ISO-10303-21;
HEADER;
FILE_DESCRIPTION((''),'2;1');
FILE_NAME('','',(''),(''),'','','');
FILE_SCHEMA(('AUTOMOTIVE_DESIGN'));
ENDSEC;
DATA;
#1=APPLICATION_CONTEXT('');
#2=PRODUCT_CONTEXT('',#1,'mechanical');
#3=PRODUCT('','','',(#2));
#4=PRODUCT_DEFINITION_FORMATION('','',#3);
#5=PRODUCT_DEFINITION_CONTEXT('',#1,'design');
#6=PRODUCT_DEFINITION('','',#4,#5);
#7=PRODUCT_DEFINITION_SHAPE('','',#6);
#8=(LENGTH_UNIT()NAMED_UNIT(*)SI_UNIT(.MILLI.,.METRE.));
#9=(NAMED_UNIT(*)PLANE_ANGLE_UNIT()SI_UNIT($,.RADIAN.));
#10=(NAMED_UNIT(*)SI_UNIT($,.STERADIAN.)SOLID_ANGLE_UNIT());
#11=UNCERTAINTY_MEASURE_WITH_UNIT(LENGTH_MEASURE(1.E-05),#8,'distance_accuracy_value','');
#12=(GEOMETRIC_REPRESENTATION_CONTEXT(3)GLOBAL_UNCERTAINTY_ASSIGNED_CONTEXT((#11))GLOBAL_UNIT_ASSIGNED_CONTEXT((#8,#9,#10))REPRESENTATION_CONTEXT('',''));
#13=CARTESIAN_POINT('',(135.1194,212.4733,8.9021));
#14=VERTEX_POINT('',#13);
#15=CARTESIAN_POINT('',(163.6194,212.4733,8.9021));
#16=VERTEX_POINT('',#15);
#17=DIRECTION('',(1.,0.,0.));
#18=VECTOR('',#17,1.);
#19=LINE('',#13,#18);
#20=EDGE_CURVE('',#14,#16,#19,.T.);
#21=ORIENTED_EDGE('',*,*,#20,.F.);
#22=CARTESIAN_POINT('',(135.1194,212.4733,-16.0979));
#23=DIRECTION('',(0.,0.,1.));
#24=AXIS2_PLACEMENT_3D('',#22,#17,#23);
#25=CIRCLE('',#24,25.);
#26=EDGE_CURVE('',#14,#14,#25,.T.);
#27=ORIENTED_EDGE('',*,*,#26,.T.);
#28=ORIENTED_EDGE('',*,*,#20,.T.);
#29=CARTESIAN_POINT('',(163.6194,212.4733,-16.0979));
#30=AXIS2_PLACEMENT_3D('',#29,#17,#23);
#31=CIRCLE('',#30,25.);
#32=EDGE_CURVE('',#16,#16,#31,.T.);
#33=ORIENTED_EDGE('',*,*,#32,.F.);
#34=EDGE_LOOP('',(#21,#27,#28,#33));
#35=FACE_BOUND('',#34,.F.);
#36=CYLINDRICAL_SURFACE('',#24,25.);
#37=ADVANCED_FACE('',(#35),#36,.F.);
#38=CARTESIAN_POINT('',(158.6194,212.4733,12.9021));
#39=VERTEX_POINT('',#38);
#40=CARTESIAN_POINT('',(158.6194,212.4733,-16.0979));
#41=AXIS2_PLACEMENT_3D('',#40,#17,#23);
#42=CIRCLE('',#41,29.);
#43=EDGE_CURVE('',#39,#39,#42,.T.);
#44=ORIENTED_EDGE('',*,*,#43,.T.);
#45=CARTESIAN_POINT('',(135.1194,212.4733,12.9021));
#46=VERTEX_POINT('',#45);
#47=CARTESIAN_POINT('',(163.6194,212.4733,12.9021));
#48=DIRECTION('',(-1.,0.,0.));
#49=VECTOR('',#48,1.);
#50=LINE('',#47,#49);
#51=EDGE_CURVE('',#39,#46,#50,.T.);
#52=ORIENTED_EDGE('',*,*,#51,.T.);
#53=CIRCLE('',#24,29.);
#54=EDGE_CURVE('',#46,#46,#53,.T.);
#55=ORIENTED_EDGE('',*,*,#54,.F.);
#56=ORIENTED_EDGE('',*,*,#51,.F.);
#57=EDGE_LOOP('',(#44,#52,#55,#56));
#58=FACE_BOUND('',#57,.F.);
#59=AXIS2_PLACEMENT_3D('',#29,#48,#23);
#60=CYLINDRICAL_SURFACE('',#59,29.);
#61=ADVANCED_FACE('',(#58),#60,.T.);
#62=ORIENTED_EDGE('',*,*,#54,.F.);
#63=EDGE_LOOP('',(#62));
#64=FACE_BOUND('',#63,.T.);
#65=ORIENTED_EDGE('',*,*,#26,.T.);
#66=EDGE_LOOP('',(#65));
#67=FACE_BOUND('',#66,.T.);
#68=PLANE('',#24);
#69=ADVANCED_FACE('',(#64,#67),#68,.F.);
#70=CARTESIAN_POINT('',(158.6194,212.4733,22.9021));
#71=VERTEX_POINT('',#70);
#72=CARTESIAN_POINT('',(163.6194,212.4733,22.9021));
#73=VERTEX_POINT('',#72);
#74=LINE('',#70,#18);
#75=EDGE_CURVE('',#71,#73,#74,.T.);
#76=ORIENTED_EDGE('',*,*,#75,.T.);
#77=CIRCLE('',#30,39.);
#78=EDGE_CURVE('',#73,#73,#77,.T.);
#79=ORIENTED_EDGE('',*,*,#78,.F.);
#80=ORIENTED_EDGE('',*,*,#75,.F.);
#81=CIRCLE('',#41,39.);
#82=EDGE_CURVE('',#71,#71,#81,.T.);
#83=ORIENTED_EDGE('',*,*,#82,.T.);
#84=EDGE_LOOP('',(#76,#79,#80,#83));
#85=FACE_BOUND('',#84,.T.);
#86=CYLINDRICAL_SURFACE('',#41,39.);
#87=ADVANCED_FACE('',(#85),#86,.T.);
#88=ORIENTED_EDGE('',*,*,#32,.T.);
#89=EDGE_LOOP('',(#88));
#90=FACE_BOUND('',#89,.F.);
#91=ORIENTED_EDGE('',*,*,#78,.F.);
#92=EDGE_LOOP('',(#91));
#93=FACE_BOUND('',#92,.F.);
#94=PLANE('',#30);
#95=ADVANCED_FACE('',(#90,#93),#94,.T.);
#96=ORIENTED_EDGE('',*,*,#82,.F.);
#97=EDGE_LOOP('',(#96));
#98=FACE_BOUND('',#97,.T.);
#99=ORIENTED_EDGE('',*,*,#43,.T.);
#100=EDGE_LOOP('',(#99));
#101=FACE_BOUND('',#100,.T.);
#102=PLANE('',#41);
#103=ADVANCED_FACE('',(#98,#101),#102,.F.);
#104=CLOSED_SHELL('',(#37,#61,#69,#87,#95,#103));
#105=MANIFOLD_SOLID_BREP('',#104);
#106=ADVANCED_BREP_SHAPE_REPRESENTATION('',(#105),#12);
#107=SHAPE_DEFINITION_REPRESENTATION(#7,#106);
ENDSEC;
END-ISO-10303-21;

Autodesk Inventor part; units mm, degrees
ref_plane "YZ Plane" through (0, 0, 0) normal (1, 0, 0) x (0, 1, 0)
ref_plane "XZ Plane" through (0, 0, 0) normal (0, 1, 0) x (-1, 0, 0)
ref_plane "XY Plane" through (0, 0, 0) normal (0, 0, 1) x (1, 0, 0)
ref_plane "工作平面1" through (123.6693, 212.4733, -16.0979) normal (0, 1, 0) x (1, 0, 0)
sketch "草图1" plane through (123.6693, 212.4733, -16.0979) normal (0, 1, 0) x (1, 0, 0)
  line L0 (10.4501, 25) -> (10.4501, -25) projected
  line L1 (11.4501, 30.25) -> (11.4501, -30.25) projected
  line L2 (39.9501, 32) -> (39.9501, -32) projected
  line L3 (39.9501, -43) -> (39.9501, 43) projected
  line L4 (11.4501, -25) -> (39.9501, -25)
  line L5 (39.9501, -25) -> (39.9501, -29)
  line L6 (39.9501, -29) -> (11.4501, -29)
  line L7 (11.4501, -29) -> (11.4501, -25)
  line L8 (39.9501, -29) -> (34.9501, -29)
  line L9 (34.9501, -29) -> (34.9501, -39)
  line L10 (34.9501, -39) -> (39.9501, -39)
  line L11 (39.9501, -39) -> (39.9501, -29)
  line L12 (11.4501, 0) -> (39.9501, 0)
  point P0 (-123.6693, -16.0979)
  point P1 (34.9501, -29)
  dimension "d0" = 4
  dimension "d1" = 10
  dimension "d2" = 5
revolve "旋转1" add sketch "草图1" angle 360 about axis through (135.1195, 212.4733, -16.0979) along (1, 0, 0) contours L4 L2 L6 L1 | L6 L2 L3 L10 L9
properties part number "低速轴套筒" material "钢，软"
